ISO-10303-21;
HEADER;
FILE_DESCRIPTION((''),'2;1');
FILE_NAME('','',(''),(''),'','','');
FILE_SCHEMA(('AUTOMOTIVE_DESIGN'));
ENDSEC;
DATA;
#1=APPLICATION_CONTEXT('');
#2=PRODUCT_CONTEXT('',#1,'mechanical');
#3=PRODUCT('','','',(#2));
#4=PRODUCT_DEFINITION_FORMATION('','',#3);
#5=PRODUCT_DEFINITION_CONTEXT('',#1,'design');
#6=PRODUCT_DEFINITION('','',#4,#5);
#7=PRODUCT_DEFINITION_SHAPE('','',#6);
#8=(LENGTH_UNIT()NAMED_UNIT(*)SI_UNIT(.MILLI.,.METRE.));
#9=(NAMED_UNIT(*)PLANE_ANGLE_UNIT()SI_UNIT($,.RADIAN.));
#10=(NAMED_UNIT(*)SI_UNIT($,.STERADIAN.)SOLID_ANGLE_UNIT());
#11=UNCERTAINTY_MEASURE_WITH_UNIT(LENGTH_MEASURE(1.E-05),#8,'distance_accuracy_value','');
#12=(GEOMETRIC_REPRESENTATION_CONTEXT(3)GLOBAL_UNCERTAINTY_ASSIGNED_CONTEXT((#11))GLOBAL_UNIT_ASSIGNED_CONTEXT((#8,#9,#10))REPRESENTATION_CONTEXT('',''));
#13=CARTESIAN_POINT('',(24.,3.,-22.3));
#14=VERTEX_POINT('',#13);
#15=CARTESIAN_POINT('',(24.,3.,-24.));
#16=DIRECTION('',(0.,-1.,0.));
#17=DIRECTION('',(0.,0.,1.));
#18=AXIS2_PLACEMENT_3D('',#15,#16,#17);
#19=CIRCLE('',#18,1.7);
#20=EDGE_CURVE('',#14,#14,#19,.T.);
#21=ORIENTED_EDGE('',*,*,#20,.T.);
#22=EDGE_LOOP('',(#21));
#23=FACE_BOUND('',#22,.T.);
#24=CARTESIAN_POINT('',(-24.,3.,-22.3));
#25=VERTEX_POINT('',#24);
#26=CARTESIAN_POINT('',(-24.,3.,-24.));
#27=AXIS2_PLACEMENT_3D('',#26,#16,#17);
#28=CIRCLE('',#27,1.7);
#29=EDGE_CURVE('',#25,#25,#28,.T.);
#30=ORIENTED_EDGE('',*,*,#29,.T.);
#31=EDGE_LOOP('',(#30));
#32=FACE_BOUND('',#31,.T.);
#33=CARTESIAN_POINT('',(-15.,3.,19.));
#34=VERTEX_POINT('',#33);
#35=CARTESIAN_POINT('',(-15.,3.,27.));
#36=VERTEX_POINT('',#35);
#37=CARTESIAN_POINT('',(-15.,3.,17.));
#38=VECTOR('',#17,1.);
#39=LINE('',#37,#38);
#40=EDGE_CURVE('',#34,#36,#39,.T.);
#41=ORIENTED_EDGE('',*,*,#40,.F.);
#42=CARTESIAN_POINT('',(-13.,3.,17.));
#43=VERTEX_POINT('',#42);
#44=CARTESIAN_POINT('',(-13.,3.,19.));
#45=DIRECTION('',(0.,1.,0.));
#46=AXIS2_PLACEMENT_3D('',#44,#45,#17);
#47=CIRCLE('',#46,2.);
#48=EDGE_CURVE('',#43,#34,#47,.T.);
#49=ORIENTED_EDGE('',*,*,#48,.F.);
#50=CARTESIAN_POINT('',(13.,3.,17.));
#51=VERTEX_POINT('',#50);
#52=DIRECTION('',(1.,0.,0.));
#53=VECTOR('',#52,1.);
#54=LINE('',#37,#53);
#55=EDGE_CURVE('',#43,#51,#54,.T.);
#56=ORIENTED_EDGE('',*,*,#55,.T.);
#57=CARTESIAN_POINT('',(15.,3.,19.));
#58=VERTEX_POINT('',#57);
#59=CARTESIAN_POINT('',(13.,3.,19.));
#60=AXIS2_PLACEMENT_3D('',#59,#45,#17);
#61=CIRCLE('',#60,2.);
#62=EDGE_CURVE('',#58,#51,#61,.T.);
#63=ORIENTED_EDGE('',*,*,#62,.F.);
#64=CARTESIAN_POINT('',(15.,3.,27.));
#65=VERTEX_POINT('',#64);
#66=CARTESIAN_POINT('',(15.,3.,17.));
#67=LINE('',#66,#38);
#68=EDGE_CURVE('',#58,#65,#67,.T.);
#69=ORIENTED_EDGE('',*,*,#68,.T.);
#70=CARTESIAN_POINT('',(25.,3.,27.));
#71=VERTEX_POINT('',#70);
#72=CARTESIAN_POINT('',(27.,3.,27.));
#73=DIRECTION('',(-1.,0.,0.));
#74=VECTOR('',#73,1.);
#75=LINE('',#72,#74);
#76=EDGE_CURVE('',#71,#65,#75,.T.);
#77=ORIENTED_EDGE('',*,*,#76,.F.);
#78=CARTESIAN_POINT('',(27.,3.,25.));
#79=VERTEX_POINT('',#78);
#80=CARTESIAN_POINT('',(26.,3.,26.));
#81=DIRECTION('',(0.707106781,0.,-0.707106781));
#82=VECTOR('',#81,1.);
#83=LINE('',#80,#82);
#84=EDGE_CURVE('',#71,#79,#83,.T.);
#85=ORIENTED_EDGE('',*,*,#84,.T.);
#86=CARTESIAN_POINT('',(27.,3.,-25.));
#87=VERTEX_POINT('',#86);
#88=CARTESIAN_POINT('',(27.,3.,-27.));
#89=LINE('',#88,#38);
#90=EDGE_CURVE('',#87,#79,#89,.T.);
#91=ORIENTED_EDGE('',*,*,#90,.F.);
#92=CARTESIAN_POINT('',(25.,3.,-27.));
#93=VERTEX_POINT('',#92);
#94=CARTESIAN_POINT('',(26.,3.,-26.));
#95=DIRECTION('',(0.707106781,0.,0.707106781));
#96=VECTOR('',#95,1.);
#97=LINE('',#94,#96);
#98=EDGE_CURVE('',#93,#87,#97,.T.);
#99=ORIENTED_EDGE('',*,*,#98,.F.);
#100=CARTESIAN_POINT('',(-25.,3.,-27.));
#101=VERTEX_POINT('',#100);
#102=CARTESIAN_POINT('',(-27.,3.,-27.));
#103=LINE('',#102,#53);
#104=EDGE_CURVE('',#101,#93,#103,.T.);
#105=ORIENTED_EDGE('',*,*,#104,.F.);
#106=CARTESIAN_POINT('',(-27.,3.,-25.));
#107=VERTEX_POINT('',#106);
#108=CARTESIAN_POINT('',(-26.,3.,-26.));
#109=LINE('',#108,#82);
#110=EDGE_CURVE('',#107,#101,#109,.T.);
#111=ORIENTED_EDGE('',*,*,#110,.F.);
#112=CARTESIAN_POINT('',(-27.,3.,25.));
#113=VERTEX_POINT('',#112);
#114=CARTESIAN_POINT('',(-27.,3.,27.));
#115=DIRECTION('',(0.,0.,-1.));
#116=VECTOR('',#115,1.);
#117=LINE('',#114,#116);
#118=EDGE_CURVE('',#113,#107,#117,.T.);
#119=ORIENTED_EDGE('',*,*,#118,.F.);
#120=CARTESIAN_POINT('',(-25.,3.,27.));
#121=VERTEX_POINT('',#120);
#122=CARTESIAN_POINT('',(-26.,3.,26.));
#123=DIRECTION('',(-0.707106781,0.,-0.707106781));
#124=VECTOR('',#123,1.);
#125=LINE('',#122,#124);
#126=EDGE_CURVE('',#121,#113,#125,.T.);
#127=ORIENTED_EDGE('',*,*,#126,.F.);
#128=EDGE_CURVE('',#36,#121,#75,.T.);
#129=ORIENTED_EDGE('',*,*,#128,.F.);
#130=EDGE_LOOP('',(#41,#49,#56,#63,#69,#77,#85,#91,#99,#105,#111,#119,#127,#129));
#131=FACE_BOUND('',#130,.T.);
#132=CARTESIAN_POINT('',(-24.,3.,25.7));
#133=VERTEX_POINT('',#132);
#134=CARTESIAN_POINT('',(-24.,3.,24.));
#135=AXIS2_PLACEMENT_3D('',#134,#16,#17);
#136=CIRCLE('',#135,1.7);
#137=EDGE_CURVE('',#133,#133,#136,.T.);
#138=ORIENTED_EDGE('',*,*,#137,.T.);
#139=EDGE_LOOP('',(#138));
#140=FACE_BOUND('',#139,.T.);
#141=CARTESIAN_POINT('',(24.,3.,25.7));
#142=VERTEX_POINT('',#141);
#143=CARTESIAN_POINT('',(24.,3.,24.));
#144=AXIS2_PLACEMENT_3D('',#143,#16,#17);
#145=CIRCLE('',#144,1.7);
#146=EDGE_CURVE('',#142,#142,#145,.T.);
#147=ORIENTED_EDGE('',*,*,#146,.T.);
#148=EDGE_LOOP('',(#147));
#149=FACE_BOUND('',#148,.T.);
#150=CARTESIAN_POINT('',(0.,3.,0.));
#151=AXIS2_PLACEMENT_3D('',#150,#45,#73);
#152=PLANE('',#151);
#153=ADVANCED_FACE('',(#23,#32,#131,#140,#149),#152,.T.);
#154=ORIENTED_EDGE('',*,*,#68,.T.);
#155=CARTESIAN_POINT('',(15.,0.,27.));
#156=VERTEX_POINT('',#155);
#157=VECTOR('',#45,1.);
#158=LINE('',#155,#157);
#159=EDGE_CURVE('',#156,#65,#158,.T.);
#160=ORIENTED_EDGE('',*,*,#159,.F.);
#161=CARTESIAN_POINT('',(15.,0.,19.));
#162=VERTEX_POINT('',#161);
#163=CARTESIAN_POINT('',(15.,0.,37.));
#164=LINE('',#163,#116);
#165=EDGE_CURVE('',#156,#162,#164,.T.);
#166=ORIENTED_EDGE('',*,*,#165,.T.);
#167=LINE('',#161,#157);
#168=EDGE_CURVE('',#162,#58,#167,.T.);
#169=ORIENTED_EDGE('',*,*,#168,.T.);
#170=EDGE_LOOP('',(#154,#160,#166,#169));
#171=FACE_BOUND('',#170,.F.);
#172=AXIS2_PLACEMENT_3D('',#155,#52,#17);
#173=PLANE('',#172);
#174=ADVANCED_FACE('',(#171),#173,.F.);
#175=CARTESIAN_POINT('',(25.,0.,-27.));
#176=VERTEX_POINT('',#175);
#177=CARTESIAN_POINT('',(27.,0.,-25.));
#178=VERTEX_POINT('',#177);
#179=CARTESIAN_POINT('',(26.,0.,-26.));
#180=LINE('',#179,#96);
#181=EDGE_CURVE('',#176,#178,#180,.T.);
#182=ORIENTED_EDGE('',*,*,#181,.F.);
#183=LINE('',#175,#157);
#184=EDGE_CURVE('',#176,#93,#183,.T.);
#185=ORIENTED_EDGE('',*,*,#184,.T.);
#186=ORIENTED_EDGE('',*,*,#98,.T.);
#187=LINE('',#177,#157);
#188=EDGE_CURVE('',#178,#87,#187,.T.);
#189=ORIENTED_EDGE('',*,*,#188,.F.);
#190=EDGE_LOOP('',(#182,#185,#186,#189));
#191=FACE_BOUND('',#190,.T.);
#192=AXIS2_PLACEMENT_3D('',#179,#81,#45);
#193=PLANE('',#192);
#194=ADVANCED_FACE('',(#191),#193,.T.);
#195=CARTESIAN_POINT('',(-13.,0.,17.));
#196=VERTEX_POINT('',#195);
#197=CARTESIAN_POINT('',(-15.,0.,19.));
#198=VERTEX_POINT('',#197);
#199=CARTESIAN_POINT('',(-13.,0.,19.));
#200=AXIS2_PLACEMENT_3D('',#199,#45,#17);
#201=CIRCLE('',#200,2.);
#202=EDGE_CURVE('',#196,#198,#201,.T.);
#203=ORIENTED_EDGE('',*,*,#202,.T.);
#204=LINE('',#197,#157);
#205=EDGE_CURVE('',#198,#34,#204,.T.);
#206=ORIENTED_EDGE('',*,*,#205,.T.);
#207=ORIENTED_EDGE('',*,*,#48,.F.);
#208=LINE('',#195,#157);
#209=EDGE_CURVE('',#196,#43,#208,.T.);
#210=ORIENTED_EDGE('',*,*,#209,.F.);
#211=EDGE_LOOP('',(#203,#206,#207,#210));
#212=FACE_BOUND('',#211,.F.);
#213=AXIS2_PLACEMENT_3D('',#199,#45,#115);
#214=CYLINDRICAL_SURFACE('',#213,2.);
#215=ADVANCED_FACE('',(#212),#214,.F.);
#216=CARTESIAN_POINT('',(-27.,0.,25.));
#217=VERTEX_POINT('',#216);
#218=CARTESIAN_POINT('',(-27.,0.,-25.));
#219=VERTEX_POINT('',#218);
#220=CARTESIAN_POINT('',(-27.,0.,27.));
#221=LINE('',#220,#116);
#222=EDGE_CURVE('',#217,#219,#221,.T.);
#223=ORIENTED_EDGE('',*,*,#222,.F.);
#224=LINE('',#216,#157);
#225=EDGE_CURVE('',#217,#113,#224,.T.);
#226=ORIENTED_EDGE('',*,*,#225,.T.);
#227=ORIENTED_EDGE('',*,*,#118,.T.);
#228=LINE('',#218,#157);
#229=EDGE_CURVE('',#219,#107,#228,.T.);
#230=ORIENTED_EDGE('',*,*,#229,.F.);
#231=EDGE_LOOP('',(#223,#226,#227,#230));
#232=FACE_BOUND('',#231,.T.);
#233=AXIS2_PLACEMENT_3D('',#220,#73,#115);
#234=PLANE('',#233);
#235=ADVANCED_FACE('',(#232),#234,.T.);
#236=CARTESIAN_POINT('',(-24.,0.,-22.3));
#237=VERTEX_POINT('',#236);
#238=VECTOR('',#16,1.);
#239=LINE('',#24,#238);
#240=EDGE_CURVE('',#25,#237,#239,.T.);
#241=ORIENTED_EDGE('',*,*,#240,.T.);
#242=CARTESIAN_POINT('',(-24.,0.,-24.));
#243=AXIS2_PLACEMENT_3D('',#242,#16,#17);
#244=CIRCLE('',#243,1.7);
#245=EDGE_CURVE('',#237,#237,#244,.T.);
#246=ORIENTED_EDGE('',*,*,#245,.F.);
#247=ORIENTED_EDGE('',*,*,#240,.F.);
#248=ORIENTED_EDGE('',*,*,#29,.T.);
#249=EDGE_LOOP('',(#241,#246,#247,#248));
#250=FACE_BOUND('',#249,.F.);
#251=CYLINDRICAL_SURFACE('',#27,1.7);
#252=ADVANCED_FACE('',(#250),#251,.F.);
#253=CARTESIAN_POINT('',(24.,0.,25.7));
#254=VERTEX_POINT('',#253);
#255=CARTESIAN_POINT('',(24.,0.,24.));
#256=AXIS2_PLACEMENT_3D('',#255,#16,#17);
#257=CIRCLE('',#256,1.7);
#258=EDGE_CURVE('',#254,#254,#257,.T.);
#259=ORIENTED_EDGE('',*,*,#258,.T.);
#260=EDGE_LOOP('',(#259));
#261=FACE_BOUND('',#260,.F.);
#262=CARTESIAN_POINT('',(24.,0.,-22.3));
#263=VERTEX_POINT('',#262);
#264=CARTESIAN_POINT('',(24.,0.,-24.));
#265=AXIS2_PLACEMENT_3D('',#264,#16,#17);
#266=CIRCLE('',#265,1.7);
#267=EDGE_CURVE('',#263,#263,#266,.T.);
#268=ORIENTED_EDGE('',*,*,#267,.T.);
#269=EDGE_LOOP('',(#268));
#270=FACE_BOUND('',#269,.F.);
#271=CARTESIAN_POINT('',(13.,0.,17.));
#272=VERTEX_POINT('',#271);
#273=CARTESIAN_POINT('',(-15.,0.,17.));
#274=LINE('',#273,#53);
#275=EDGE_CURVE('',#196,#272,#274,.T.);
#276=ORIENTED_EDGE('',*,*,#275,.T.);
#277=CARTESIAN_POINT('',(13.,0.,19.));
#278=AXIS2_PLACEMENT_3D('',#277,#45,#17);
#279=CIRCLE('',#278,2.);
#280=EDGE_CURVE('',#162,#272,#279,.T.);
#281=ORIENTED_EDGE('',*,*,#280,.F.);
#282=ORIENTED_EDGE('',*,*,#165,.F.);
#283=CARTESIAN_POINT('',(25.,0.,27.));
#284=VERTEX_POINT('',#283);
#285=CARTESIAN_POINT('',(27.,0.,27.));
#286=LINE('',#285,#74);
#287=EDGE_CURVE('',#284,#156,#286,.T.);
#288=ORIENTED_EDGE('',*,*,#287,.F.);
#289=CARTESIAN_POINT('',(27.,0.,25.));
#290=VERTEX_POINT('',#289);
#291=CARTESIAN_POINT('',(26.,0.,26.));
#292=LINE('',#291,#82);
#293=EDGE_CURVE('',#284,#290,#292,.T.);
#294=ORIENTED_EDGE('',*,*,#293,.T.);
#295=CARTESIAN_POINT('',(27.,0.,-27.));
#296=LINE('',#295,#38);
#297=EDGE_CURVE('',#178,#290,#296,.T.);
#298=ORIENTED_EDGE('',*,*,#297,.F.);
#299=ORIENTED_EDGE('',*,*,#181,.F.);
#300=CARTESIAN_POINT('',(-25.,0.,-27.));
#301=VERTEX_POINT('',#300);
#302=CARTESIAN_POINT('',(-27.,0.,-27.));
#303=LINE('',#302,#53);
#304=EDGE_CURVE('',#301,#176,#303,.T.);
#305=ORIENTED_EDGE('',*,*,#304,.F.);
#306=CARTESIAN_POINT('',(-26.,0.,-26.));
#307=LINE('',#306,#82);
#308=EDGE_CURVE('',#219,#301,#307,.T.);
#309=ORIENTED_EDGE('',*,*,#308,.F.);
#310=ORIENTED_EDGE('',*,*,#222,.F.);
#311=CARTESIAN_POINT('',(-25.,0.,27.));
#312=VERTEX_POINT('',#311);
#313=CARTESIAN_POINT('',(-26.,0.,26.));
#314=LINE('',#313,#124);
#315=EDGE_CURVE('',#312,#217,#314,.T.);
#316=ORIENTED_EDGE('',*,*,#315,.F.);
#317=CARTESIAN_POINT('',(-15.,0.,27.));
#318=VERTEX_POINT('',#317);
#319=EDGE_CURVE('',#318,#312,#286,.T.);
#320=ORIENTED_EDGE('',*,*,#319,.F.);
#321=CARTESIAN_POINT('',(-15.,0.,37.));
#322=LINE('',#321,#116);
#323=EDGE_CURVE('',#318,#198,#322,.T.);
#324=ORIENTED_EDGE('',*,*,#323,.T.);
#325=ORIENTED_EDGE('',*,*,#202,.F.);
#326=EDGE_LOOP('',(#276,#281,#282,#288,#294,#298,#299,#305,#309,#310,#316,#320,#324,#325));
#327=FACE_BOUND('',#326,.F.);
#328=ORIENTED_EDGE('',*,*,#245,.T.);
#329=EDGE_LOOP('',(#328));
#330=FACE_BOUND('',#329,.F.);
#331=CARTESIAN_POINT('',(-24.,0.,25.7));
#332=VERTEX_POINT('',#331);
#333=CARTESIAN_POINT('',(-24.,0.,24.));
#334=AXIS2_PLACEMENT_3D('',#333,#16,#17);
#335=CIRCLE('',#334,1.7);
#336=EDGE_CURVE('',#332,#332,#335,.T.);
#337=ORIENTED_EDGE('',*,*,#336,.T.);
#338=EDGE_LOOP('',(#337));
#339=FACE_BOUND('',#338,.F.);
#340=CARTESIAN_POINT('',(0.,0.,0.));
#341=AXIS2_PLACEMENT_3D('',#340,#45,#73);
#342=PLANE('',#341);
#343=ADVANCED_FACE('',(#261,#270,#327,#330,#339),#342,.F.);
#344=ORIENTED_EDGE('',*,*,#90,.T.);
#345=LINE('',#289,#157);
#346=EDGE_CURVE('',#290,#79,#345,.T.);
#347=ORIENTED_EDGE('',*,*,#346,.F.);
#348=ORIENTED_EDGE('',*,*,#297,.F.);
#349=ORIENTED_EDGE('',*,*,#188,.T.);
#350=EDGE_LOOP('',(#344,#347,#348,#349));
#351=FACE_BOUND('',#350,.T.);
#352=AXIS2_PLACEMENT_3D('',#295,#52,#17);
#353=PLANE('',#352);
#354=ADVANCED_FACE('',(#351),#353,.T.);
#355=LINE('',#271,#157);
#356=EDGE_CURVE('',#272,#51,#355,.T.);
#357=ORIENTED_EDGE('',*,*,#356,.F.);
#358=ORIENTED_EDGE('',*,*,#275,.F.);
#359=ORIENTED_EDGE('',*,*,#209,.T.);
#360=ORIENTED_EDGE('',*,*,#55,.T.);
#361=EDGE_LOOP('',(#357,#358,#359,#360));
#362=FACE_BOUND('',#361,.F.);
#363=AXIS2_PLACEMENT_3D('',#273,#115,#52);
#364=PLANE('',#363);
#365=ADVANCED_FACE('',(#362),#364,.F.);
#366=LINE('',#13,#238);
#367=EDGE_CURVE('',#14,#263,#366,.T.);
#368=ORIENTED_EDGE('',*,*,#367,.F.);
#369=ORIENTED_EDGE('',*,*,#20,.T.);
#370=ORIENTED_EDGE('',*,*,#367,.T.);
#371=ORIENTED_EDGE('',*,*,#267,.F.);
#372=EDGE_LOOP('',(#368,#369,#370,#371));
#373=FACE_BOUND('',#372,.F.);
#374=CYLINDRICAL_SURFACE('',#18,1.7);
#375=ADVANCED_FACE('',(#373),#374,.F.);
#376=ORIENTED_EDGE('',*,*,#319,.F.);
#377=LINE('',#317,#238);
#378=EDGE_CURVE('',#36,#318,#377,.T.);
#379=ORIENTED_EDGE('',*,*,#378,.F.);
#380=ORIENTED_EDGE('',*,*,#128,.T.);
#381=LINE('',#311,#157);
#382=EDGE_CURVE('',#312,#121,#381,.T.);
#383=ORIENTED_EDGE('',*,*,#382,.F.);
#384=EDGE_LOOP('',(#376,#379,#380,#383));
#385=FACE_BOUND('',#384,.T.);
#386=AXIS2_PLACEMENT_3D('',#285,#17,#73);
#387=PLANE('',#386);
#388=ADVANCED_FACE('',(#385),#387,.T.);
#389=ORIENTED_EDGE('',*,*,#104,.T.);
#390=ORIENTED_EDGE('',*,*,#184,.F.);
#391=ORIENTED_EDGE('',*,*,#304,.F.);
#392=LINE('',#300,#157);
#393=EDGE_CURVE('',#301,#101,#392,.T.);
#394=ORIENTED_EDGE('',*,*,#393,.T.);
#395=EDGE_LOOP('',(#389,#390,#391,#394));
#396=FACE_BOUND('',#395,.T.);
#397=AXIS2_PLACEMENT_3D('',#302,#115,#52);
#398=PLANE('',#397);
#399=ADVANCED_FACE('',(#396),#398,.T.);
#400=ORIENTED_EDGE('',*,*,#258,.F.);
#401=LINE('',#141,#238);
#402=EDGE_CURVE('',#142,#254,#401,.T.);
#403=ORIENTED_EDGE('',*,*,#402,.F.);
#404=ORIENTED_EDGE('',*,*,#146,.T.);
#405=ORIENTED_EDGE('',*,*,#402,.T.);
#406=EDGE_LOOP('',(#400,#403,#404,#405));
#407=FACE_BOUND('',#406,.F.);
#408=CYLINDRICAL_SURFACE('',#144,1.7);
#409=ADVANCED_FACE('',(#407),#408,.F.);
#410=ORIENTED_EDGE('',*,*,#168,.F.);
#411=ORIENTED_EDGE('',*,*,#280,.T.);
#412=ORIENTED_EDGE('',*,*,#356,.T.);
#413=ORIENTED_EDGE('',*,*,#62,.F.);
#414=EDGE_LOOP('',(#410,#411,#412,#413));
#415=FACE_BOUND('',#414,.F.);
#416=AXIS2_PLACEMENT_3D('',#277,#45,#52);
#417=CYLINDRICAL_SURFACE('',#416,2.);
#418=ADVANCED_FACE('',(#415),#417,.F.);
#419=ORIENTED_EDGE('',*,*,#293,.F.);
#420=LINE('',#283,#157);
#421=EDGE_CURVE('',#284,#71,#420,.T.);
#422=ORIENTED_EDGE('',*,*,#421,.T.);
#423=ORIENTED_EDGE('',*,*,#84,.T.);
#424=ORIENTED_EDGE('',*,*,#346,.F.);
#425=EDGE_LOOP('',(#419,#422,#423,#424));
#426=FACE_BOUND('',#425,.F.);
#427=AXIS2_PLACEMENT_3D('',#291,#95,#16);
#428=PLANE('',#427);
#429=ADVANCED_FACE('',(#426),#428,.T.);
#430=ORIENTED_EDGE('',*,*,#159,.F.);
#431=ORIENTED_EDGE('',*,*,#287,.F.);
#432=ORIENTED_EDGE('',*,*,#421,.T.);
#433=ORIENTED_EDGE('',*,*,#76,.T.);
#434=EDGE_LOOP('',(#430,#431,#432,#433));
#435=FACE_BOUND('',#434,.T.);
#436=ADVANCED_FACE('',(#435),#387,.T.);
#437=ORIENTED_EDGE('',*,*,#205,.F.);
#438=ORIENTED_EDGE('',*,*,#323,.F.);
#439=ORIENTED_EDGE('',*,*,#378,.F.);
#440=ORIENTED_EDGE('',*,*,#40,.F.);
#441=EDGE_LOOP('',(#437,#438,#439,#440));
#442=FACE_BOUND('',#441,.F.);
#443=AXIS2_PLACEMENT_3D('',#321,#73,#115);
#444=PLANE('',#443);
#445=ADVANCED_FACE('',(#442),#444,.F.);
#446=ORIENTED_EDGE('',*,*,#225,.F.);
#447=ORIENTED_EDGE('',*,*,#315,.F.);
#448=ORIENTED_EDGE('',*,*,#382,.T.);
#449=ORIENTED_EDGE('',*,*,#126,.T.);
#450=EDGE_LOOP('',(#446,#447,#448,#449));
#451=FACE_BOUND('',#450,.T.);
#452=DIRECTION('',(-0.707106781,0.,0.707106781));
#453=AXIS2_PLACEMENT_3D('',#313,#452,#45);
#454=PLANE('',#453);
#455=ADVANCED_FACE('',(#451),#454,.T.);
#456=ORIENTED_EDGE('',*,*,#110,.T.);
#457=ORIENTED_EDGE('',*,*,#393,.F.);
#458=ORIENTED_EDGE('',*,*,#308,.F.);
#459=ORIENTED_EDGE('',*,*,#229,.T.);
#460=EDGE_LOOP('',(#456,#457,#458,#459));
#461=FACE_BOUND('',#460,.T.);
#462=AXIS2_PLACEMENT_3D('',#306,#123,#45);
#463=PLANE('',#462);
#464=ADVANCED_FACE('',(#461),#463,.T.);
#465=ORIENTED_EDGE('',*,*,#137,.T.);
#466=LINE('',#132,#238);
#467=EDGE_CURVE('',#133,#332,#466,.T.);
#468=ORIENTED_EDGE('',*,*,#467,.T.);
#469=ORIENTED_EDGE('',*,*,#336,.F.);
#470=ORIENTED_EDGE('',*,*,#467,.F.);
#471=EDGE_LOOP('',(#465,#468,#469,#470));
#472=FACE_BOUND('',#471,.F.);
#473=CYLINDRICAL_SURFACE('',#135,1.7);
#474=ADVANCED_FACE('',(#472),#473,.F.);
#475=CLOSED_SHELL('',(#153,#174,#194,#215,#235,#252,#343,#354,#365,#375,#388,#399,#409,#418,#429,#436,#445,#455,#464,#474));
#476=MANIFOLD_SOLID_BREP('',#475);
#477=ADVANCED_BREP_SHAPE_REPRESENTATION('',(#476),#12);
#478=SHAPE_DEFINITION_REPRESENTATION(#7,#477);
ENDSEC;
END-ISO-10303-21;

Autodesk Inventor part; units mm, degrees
ref_plane "YZ Plane" through (0, 0, 0) normal (1, 0, 0) x (0, 1, 0)
ref_plane "XZ Plane" through (0, 0, 0) normal (0, 1, 0) x (-1, 0, 0)
ref_plane "XY Plane" through (0, 0, 0) normal (0, 0, 1) x (1, 0, 0)
sketch "Skizze1" plane through (0, 0, 0) normal (0, 1, 0) x (-1, 0, 0)
  line L0 (-27, 27) -> (27, 27)
  line L1 (27, 27) -> (27, -27)
  line L2 (27, -27) -> (-27, -27)
  line L3 (-27, -27) -> (-27, 27)
  line L4 (-27, 27) -> (27, -27) construction
  line L5 (27, 27) -> (-27, -27) construction
  point P0 (0, 0)
  dimension "d0" = 54
  dimension "d1" = 54
extrude "Extrusion1" add sketch "Skizze1" along normal blind 3
chamfer "Fase1" distance 2 angle 45 4 edges at (27, 1.5, 27) (27, 1.5, -27) (-27, 1.5, 27) (-27, 1.5, -27)
sketch "Skizze2" plane through (0, 3, 0) normal (0, 1, 0) x (1, 0, 0)
  circle A0 centre (0, 0) radius 11
  dimension "d7" = 22
extrude "Extrusion2" [suppressed]
sketch "Skizze4" plane through (0, 3, 0) normal (0, 1, 0) x (1, 0, 0)
  line L0 (-24, -24) -> (24, -24)
  line L1 (24, -24) -> (24, 24)
  line L2 (24, 24) -> (-24, 24)
  line L3 (-24, 24) -> (-24, -24)
  line L4 (-24, -24) -> (24, 24) construction
  line L5 (24, -24) -> (-24, 24) construction
  point P0 (0, 0)
  dimension "d13" = 48
  dimension "d14" = 48
hole "Bohrung1" at (24, 3, -24) at (24, 3, 24) at (-24, 3, 24) at (-24, 3, -24) direction (0, -1, 0) diameter 3.4 end through all clearance for "Inbusschraube ISO 4762" size "M3" standard "ISO"
sketch "Skizze5" plane through (0, 0, 0) normal (0, -1, 0) x (1, 0, 0)
  line L0 (15, 37) -> (-15, 37)
  line L1 (-15, 37) -> (-15, 17)
  line L2 (-15, 17) -> (15, 17)
  line L3 (15, 17) -> (15, 37)
  line L4 (-25, 27) -> (25, 27) projected
  line L5 (15, 37) -> (-15, 17) construction
  line L6 (-15, 37) -> (15, 17) construction
  point P0 (0, 0)
  point P1 (0, 27)
  dimension "d22" = 30
  dimension "d23" = 10
extrude "Extrusion4" cut sketch "Skizze5" against normal blind 3
fillet "Rundung1" radius 2 2 edges at (-15, 1.5, 17) (15, 1.5, 17)
properties part number "bearing_mount_part_1" material "Aluminium 6061"
